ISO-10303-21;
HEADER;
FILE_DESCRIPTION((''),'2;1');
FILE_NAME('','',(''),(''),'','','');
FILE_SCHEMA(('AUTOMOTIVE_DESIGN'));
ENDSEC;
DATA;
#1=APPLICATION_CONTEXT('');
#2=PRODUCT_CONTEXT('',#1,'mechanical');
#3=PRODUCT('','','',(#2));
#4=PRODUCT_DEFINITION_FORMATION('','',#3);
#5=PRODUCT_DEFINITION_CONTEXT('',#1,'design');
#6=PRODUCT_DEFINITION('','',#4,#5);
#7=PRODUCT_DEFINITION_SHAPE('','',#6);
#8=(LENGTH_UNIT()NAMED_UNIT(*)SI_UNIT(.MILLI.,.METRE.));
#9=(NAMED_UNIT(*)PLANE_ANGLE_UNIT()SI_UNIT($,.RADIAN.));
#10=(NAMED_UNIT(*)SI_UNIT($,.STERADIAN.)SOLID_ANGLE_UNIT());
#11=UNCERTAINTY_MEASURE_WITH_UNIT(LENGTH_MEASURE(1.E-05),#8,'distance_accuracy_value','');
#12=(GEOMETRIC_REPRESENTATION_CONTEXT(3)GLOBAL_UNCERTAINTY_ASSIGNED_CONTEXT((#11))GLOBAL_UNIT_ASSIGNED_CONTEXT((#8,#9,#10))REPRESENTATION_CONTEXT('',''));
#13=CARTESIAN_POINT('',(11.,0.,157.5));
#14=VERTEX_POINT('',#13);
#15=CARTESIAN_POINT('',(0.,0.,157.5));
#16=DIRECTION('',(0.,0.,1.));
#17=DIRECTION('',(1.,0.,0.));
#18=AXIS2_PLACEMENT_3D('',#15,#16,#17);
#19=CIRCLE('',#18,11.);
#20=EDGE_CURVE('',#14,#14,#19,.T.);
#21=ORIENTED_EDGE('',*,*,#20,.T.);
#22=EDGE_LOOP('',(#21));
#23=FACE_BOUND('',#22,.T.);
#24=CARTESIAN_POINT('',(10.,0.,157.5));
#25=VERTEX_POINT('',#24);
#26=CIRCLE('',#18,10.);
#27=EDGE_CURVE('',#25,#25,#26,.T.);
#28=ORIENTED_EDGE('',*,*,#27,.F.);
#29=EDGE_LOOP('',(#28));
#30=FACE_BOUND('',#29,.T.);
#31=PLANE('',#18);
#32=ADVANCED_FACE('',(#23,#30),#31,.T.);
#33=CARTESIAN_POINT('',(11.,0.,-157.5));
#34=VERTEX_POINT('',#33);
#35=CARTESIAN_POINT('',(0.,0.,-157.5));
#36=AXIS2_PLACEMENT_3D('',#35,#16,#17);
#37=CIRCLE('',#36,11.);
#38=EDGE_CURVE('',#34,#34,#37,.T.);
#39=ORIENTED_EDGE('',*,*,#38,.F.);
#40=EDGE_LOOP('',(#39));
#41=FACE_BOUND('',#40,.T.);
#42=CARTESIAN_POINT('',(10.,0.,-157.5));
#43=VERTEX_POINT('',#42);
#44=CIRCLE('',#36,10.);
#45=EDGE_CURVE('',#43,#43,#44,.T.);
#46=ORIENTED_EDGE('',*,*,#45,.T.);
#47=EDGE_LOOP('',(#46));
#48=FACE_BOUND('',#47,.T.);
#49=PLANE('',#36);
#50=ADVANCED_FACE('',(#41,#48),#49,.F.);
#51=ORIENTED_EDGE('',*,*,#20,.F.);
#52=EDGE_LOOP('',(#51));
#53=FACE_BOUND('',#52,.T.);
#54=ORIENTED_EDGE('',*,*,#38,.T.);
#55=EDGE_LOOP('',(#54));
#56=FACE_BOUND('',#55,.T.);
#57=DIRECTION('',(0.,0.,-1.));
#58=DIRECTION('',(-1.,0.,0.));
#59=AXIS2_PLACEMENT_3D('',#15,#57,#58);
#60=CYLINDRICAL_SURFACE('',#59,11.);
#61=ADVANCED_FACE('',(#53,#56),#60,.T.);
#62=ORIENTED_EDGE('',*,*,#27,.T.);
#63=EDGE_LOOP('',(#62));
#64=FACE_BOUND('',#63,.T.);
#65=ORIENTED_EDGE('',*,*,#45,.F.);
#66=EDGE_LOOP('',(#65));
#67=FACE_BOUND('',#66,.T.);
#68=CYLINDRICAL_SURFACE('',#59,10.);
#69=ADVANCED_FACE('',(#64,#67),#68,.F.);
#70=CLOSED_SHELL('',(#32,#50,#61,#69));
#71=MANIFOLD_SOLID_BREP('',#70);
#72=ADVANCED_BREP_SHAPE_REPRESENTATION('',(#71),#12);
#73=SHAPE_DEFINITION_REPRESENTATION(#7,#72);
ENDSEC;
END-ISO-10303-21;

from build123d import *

# Parameters (mm, degrees)
SKETCH_1_R      = 11
SKETCH_1_R_2    = 10
EXTRUDE_1_DEPTH = 157.5


with BuildPart() as part:
    # 草图1 → 凸台-拉伸1 (new, symmetric)
    with BuildSketch(Plane.XY):
        Circle(SKETCH_1_R)
        Circle(SKETCH_1_R_2, mode=Mode.SUBTRACT)
    extrude(amount=EXTRUDE_1_DEPTH, both=True)


solid = part.part
